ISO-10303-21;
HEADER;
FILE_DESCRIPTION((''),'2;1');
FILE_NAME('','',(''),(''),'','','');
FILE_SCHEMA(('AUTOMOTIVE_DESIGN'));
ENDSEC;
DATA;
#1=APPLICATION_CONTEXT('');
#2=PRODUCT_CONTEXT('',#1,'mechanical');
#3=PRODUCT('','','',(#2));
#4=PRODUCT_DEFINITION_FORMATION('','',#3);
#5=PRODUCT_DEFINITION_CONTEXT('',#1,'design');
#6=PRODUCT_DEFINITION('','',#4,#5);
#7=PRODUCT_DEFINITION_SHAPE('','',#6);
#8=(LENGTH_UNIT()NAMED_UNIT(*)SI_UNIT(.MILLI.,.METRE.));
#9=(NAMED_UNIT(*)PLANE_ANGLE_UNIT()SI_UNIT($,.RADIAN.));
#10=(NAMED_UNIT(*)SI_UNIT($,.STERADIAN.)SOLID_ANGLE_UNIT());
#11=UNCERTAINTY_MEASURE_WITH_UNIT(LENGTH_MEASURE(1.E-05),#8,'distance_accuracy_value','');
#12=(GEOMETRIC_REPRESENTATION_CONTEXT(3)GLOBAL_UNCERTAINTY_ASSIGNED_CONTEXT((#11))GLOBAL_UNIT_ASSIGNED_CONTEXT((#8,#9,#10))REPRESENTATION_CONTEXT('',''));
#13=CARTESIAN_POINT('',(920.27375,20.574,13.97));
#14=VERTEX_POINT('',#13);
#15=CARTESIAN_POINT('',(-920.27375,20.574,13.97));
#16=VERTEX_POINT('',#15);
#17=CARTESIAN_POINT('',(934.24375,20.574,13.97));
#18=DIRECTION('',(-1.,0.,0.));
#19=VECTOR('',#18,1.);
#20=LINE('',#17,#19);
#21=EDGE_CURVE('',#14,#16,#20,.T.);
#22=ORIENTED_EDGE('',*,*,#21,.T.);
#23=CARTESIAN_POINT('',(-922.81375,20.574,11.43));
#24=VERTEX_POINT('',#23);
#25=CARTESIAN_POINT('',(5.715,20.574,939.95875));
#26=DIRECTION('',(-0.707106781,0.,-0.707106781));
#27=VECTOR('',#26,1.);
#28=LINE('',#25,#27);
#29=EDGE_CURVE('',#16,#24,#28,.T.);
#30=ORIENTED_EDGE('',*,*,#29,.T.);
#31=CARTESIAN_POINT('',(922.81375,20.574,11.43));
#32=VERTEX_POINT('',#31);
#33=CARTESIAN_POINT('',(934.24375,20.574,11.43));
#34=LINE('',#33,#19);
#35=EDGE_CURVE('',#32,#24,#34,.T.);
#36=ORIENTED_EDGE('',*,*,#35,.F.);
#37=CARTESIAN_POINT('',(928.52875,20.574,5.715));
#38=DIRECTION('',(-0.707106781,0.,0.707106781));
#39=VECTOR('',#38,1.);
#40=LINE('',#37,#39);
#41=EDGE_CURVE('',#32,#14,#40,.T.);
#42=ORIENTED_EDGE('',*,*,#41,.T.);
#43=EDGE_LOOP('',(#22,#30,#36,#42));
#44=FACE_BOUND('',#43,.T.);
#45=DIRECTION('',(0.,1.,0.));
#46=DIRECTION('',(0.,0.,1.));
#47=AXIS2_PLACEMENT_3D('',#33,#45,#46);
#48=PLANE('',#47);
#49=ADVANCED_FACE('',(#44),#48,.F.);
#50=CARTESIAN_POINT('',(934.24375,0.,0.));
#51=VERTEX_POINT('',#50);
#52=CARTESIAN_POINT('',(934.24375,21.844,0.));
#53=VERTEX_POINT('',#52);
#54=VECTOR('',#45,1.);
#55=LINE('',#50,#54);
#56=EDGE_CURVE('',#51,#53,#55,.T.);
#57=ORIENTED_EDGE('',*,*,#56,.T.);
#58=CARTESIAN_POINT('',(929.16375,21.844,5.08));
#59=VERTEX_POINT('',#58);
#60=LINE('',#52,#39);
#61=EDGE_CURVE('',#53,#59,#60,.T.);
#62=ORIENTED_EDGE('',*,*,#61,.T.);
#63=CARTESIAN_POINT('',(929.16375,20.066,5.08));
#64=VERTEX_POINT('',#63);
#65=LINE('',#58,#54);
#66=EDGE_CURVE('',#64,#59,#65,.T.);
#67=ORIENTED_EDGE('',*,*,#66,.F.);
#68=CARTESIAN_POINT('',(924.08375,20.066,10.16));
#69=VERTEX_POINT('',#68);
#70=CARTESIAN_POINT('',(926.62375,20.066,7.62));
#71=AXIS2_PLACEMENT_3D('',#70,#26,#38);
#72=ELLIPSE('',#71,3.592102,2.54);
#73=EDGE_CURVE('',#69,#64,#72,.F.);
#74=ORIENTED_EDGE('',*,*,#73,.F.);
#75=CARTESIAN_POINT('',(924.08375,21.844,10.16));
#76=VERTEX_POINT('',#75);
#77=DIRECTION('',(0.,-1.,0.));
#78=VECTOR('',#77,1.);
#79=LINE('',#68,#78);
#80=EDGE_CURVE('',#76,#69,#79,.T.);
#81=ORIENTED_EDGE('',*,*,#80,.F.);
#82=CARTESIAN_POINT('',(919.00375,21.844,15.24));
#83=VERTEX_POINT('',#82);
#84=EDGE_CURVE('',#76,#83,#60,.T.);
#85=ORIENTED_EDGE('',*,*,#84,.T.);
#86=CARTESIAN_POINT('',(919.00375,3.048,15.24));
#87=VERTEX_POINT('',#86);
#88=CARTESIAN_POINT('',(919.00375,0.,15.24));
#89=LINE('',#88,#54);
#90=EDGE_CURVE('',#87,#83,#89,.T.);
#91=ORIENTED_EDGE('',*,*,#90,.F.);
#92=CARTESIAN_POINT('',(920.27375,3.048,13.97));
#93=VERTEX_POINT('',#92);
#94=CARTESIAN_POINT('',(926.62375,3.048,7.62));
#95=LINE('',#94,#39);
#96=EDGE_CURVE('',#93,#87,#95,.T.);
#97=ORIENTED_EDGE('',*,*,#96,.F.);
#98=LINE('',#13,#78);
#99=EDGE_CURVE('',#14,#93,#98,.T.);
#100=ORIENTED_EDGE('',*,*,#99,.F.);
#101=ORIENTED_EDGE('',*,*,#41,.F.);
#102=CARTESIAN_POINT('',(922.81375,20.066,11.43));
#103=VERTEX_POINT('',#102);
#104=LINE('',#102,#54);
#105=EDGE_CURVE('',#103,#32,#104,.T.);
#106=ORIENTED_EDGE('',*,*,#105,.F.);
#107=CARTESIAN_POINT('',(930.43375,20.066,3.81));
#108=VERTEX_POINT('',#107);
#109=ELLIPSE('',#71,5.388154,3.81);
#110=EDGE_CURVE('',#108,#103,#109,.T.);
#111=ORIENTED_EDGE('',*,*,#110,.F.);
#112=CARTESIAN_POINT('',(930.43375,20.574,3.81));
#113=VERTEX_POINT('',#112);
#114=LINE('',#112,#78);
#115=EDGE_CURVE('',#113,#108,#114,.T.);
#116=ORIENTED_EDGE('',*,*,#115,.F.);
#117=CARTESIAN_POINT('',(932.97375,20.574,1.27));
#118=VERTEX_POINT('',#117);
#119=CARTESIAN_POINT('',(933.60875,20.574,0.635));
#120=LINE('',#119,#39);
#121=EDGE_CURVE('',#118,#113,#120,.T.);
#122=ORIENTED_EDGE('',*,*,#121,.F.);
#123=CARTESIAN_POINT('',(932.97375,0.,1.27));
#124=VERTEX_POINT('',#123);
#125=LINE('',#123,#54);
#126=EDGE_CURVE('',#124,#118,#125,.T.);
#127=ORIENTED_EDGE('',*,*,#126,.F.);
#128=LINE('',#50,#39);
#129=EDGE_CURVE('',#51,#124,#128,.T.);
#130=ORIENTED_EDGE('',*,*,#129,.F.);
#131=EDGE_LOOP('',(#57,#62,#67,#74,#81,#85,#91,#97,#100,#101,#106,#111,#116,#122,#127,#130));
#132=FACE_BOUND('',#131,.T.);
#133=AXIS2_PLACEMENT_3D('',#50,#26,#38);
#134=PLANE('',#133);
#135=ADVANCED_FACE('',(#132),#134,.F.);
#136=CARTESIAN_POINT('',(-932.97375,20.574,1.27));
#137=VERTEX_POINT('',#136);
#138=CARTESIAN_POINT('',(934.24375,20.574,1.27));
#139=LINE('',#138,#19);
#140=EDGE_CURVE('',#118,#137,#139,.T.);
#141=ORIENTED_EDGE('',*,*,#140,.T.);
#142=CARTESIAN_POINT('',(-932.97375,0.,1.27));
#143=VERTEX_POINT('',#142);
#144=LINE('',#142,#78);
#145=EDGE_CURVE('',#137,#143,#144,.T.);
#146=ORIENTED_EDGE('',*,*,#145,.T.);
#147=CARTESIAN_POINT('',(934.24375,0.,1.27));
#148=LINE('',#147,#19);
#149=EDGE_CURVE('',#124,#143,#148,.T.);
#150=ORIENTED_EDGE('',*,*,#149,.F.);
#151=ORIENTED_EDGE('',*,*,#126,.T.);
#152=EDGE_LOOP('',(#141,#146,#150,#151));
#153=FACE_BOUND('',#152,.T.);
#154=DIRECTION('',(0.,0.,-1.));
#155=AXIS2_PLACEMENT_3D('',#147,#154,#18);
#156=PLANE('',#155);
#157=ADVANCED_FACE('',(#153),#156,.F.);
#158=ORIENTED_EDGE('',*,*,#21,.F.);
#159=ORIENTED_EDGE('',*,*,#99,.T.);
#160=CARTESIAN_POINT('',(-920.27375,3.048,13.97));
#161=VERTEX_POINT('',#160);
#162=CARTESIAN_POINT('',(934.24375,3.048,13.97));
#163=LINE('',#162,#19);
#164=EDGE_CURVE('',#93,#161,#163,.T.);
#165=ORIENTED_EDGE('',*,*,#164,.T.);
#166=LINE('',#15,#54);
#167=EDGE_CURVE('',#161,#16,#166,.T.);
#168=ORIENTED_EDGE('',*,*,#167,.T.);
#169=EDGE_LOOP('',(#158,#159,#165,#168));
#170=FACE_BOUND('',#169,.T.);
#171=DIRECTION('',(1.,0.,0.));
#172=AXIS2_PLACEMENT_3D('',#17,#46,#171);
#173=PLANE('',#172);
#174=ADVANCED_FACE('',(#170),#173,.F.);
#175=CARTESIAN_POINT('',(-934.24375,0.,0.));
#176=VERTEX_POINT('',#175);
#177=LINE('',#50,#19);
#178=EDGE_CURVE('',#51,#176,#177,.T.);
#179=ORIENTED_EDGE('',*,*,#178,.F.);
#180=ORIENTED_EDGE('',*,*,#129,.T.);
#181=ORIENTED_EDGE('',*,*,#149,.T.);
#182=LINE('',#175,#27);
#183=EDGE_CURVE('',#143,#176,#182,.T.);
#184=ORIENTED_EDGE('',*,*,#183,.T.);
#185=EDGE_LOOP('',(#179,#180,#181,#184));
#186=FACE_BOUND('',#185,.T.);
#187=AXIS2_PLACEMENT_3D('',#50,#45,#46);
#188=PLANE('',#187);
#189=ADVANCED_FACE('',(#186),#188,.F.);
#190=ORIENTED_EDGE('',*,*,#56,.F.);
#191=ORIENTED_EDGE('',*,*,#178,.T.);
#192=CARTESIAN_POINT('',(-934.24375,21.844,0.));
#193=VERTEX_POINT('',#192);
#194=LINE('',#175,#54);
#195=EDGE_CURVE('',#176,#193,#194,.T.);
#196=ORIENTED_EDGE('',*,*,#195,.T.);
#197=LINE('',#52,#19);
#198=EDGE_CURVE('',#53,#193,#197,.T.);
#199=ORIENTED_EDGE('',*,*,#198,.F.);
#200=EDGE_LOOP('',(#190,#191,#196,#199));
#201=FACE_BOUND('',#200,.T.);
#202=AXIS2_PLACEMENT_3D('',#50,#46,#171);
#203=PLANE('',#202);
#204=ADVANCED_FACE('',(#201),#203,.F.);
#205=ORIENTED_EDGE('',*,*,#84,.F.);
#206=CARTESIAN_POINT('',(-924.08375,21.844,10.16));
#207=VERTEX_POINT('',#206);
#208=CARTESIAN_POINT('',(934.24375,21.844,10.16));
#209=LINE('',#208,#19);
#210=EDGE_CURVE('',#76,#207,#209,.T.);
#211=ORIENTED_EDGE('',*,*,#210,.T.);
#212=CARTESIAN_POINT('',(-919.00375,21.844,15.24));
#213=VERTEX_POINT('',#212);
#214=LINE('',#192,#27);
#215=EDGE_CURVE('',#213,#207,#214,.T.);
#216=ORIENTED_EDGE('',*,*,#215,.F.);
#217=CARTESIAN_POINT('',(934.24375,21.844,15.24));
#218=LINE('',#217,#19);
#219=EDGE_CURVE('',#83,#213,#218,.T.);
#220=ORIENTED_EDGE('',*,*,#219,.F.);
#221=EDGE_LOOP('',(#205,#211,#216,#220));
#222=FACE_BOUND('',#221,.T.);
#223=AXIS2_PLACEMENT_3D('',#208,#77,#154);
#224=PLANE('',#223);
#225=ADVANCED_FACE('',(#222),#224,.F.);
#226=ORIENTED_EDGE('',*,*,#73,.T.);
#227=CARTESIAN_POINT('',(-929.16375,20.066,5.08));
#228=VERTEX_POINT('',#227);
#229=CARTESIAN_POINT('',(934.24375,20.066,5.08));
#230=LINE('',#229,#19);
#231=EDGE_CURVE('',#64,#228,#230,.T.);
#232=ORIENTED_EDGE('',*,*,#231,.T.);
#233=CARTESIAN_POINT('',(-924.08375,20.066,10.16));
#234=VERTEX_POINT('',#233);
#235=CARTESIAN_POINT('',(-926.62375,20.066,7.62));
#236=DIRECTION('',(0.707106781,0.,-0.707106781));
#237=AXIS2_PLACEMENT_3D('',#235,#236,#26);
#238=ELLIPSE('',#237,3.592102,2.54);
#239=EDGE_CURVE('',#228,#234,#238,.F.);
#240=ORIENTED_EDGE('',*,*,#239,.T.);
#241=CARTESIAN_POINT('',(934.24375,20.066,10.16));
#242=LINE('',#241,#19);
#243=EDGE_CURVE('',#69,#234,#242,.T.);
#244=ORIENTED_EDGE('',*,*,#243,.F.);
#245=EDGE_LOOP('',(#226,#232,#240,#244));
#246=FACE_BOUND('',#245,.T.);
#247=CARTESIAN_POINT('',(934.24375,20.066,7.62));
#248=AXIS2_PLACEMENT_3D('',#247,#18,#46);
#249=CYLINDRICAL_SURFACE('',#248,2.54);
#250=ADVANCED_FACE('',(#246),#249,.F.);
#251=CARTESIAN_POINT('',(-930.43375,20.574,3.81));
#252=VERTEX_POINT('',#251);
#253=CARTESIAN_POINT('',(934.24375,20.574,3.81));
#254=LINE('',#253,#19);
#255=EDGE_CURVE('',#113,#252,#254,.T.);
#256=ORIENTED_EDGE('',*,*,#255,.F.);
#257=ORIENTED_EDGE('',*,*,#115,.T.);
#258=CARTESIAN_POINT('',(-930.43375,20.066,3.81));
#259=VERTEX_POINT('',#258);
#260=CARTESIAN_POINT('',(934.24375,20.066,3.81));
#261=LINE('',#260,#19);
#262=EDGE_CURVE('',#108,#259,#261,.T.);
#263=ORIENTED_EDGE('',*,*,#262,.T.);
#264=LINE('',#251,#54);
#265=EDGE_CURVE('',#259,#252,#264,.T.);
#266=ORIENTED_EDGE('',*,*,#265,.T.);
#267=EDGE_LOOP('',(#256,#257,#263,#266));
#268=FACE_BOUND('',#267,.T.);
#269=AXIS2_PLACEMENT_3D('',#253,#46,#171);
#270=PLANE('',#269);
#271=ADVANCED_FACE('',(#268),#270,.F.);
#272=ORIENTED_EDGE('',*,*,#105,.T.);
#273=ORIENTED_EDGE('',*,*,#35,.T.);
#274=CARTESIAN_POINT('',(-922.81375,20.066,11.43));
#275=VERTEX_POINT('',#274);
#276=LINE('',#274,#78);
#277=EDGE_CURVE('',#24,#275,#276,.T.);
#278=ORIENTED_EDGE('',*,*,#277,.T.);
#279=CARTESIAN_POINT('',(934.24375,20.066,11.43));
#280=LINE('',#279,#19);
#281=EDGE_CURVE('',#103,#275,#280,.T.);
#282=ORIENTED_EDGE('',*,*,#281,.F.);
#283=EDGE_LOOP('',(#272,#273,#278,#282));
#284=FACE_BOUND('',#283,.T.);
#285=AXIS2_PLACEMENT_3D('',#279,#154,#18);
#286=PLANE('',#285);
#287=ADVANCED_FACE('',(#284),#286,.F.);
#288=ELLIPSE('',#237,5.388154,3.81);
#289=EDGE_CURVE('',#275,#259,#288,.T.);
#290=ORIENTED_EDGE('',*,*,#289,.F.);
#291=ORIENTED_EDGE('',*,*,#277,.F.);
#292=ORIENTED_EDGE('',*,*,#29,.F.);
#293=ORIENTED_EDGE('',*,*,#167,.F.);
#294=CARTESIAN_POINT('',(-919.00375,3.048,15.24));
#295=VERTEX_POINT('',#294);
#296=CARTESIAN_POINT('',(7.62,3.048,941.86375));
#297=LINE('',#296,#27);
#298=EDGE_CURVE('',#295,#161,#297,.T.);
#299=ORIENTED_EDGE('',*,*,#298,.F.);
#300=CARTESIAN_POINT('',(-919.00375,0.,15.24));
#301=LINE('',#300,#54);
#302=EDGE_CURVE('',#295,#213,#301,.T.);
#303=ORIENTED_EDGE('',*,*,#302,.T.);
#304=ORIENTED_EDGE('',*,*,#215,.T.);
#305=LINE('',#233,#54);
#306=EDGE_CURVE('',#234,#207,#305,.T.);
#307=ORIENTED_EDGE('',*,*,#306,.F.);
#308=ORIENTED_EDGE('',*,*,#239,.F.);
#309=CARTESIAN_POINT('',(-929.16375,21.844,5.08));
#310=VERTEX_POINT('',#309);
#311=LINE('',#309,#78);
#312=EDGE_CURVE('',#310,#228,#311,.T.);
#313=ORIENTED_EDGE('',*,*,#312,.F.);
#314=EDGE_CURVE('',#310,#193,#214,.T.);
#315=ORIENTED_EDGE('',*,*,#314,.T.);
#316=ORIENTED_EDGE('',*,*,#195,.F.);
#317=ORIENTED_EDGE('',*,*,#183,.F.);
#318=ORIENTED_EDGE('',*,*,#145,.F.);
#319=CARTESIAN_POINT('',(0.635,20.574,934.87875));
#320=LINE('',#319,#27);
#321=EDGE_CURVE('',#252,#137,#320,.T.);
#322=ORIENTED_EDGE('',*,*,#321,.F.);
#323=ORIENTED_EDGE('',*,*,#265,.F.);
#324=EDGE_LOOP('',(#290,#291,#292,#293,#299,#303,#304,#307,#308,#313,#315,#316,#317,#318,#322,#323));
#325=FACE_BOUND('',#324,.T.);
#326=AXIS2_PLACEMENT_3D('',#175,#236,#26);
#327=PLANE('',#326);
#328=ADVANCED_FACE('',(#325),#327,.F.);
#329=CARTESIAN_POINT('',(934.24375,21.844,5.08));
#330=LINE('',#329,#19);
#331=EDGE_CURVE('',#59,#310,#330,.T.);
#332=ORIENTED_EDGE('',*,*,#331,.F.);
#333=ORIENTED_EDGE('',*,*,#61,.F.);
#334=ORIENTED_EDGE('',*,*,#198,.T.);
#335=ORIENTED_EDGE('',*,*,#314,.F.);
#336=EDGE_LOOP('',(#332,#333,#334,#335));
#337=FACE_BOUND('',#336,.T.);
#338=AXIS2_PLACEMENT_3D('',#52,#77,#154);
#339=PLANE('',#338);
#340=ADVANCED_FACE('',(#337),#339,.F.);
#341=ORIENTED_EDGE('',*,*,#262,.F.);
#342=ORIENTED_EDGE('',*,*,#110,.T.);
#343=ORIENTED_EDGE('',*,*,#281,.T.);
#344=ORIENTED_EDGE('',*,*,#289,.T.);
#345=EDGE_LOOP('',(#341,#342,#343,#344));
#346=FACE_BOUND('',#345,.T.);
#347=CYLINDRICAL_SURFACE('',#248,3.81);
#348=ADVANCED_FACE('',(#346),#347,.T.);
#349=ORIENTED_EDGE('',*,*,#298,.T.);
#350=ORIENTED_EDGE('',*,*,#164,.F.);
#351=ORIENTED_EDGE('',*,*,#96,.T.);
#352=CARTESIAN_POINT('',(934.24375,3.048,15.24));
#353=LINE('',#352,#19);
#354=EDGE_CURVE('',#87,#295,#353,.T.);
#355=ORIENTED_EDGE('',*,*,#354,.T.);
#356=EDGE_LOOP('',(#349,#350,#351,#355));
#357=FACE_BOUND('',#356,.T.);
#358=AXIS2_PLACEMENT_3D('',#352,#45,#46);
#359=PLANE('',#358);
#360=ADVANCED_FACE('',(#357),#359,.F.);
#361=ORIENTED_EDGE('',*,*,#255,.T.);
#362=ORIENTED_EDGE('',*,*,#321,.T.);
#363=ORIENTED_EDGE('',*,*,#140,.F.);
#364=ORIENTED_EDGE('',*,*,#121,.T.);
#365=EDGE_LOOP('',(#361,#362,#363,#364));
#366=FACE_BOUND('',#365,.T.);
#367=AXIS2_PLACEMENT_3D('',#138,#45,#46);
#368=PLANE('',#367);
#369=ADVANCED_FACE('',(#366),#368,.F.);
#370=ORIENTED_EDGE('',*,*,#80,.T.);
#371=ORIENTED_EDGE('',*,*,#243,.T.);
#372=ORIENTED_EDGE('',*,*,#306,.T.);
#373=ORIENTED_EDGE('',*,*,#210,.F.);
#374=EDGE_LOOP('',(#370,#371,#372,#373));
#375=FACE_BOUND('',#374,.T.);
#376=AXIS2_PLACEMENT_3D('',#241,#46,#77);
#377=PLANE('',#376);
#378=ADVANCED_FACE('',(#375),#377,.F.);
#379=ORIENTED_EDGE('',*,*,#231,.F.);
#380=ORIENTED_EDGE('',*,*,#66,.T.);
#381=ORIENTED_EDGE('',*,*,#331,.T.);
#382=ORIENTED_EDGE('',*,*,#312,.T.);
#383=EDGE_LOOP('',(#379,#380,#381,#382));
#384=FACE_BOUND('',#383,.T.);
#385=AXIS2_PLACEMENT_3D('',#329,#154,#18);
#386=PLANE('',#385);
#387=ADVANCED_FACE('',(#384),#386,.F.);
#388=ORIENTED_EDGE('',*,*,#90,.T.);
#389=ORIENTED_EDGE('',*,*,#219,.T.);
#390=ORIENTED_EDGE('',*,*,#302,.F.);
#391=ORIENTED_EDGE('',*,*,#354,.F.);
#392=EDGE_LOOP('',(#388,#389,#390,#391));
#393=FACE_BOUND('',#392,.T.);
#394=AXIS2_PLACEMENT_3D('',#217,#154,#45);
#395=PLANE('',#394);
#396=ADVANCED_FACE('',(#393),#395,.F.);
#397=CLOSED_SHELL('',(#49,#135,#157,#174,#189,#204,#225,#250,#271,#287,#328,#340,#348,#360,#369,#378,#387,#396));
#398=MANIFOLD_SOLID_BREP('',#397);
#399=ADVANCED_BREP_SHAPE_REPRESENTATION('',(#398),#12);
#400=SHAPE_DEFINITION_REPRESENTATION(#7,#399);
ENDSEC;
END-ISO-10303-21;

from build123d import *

# Parameters (mm, degrees)
BOSS_EXTRUDE1_DEPTH       = 934.24375
CUT_TOP_RIGHT_FRONT_DEPTH = 22.844
CUT_TOP_LEFT_FRONT_DEPTH  = 22.844


with BuildPart() as part:
    # Sketch1 → Boss-Extrude1 (new body, symmetric)
    with BuildSketch(Plane(origin=(0, 0, 0), x_dir=(0, 0, -1), z_dir=(1, 0, 0))):
        with BuildLine():
            Line((0, 0), (0, 21.844))
            Line((0, 21.844), (-5.08, 21.844))
            Line((-5.08, 21.844), (-5.08, 20.066))
            ThreePointArc((-5.08, 20.066), (-7.62, 17.526), (-10.16, 20.066))
            Line((-10.16, 20.066), (-10.16, 21.844))
            Line((-10.16, 21.844), (-15.24, 21.844))
            Line((-15.24, 21.844), (-15.24, 3.048))
            Line((-15.24, 3.048), (-13.97, 3.048))
            Line((-13.97, 3.048), (-13.97, 20.574))
            Line((-13.97, 20.574), (-11.43, 20.574))
            Line((-11.43, 20.574), (-11.43, 20.066))
            ThreePointArc((-11.43, 20.066), (-7.62, 16.256), (-3.81, 20.066))
            Line((-3.81, 20.066), (-3.81, 20.574))
            Line((-3.81, 20.574), (-1.27, 20.574))
            Line((-1.27, 20.574), (-1.27, 0))
            Line((-1.27, 0), (0, 0))
        make_face()
    extrude(amount=BOSS_EXTRUDE1_DEPTH, both=True)

    # Sketch2 → Cut-Top-Right-Front (cut, through all)
    with BuildSketch(Plane(origin=(0, 21.844, 0), x_dir=(1, 0, 0), z_dir=(0, 1, 0))):
        Polygon((934.24375, 0), (919.00375, -15.24), (934.24375, -15.24), align=None)
    extrude(amount=-CUT_TOP_RIGHT_FRONT_DEPTH, mode=Mode.SUBTRACT)

    # Sketch4 → Cut-Top-Left-Front (cut, through all)
    with BuildSketch(Plane(origin=(0, 21.844, 0), x_dir=(1, 0, 0), z_dir=(0, 1, 0))):
        Polygon((-934.24375, 0), (-919.00375, -15.24), (-934.24375, -15.24), align=None)
    extrude(amount=-CUT_TOP_LEFT_FRONT_DEPTH, mode=Mode.SUBTRACT)


solid = part.part
